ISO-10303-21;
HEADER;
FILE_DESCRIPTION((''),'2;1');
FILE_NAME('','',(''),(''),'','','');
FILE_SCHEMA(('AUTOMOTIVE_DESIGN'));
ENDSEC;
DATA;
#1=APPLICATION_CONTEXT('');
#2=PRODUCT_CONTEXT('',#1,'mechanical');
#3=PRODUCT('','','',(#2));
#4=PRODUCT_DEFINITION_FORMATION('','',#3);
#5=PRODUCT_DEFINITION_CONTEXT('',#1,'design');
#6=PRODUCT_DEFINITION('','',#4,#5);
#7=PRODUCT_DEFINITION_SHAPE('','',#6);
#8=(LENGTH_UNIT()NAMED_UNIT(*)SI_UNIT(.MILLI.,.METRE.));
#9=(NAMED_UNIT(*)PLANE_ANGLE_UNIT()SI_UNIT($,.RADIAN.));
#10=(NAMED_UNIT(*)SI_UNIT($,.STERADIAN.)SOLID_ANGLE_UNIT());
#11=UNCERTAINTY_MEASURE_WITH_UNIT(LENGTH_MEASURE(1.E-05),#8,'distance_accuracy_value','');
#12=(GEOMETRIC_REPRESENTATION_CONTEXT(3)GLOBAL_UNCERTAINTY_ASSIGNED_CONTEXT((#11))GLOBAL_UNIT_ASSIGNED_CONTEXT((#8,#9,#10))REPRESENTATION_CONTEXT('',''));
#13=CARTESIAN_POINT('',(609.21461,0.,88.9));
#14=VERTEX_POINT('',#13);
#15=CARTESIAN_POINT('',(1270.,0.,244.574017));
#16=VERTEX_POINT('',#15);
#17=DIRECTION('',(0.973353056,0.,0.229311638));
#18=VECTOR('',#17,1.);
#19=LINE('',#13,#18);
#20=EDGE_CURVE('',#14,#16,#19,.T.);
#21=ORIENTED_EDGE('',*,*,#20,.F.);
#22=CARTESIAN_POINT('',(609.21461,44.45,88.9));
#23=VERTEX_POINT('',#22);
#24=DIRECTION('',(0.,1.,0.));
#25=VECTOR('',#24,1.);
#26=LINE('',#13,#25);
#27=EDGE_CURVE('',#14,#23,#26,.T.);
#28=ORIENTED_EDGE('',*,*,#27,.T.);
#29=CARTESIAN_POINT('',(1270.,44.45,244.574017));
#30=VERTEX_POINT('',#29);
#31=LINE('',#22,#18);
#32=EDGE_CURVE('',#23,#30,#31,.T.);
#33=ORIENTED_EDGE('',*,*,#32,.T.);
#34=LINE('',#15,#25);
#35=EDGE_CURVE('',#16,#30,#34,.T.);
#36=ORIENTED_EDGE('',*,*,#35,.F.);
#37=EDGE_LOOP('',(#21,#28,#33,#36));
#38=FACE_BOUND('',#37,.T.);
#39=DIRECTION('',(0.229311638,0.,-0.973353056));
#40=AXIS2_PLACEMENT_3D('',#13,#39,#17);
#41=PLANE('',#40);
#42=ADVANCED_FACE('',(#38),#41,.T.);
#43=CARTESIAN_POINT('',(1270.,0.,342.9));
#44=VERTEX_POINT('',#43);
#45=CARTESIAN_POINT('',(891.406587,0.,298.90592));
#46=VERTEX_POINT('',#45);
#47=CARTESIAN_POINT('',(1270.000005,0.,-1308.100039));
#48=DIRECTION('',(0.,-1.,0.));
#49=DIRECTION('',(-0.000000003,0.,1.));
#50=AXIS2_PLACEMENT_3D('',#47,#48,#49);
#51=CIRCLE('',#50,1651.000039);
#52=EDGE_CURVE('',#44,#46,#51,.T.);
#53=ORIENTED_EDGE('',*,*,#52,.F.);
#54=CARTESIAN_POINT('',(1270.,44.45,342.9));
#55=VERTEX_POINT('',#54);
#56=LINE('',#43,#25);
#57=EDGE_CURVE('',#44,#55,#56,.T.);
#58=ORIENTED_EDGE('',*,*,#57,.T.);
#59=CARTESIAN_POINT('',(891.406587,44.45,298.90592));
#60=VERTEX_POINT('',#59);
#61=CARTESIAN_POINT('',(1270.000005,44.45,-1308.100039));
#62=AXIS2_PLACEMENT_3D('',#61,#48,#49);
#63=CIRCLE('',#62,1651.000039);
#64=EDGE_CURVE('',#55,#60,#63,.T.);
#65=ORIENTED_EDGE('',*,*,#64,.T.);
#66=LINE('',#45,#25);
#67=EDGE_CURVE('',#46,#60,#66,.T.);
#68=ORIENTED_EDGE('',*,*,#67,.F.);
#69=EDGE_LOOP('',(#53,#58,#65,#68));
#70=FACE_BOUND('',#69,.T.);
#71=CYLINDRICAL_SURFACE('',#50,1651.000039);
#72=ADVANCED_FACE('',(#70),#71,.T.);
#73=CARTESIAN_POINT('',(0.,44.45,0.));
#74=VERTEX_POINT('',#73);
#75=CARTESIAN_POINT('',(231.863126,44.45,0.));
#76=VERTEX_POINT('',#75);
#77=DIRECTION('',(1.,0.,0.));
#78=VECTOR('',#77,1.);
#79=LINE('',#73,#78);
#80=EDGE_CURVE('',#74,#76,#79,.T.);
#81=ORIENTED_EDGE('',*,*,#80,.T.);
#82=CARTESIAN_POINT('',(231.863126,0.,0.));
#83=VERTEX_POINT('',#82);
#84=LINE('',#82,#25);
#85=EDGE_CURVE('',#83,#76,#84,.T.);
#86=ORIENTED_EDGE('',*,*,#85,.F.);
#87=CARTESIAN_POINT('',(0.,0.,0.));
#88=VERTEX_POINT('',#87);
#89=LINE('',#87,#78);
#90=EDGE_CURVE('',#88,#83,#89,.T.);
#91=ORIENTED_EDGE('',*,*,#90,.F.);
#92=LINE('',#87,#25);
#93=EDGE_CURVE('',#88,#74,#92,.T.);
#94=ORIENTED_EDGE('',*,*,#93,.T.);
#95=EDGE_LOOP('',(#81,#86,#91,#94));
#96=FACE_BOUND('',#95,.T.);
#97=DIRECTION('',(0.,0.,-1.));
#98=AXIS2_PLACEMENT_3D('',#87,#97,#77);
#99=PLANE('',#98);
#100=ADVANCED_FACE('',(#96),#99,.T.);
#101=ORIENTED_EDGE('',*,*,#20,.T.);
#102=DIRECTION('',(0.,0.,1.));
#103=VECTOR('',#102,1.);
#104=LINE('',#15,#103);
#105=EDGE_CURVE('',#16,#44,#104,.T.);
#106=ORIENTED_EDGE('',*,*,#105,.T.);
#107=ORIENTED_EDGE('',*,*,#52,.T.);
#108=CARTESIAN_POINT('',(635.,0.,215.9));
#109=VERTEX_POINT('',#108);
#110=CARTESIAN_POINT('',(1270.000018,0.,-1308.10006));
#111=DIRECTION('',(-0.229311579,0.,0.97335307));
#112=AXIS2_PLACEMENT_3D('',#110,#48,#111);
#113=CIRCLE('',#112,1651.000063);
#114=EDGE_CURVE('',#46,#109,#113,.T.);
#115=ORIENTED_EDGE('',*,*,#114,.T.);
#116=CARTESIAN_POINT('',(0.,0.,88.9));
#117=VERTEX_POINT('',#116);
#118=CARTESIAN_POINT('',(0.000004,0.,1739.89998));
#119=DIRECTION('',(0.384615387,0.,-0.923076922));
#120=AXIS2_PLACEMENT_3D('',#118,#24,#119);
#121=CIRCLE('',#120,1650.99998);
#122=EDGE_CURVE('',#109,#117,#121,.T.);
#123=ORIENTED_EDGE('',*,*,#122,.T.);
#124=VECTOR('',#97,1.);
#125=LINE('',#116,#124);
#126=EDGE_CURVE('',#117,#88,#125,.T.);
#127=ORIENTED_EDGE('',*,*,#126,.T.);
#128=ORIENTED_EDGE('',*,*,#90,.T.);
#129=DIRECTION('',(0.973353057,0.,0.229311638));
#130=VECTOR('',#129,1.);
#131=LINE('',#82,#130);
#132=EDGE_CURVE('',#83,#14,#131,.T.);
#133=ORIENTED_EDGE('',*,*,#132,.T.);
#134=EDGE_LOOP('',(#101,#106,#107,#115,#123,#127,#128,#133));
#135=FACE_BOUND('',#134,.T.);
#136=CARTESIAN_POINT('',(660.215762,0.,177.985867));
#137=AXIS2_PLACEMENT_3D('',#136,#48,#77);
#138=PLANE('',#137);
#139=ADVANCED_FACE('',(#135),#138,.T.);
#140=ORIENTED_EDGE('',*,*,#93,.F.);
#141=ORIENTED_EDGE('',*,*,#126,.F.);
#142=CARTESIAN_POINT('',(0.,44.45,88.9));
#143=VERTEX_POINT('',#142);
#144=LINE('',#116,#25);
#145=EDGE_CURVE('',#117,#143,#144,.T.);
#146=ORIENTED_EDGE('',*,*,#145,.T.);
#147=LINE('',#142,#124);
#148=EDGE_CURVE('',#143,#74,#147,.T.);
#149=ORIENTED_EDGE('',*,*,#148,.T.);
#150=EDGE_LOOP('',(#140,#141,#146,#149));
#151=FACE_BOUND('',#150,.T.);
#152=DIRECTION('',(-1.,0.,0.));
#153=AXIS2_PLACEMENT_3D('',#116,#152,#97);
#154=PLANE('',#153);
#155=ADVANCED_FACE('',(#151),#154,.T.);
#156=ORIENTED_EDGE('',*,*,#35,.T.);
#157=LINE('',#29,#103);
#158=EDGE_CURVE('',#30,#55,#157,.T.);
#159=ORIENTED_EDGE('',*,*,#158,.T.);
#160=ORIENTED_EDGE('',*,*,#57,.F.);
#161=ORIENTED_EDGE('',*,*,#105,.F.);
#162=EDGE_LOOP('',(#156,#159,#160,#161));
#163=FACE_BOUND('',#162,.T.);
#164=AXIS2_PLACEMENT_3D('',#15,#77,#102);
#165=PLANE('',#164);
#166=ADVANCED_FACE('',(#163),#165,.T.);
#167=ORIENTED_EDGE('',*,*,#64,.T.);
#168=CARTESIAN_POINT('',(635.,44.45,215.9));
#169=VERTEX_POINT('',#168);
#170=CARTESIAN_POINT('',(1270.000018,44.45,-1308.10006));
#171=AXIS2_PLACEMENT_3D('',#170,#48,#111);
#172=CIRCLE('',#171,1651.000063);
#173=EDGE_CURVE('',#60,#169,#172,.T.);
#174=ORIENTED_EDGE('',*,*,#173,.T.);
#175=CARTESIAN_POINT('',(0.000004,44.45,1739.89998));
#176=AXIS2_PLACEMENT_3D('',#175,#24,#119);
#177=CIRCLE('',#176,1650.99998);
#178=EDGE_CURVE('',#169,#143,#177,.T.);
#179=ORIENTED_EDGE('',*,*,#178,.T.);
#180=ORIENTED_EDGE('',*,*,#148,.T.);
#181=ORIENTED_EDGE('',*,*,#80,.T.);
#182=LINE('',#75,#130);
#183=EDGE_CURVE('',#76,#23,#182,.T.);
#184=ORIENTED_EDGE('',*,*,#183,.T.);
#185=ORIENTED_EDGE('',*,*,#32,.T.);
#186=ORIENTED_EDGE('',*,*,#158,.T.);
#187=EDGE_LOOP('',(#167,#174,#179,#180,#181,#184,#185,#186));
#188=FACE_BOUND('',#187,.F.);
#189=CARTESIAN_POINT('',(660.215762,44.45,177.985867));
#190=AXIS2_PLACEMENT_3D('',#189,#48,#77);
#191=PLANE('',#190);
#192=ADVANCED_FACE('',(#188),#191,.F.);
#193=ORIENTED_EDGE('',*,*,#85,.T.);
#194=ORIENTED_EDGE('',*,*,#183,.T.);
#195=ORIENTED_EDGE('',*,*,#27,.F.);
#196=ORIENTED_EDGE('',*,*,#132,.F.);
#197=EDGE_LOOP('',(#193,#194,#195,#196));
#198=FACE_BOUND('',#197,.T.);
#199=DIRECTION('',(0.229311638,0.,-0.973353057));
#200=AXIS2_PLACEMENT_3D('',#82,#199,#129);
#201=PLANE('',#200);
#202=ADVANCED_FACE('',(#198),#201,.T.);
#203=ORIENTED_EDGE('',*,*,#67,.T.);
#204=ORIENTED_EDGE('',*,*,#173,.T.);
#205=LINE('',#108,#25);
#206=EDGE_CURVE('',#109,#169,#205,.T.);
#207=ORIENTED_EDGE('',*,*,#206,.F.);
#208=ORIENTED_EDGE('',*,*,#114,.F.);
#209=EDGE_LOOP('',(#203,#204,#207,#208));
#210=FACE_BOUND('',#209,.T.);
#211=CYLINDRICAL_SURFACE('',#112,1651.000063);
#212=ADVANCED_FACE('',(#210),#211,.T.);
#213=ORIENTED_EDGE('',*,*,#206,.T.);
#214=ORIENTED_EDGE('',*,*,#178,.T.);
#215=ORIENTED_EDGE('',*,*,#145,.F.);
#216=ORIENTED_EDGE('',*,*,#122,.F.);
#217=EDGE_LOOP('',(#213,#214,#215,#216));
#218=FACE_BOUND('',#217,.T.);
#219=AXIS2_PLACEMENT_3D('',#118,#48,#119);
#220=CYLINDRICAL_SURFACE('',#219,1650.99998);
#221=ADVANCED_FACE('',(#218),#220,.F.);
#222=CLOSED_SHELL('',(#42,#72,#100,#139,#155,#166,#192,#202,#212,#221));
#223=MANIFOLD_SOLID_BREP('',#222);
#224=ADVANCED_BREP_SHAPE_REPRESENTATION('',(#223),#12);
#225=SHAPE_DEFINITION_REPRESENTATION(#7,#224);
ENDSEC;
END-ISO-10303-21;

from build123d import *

# Parameters (mm, degrees)
F1_DEPTH = 44.45


with BuildPart() as f1:
    # F0 (on Front) → F1 (new body)
    with BuildSketch(Plane.XZ):
        with BuildLine():
            ThreePointArc((635, 215.9), (323.787739, 120.961304), (0, 88.9))
            Line((0, 88.9), (609.21461, 88.9))
            Line((609.21461, 88.9), (1270, 244.574017))
            Line((1270, 244.574017), (1270, 342.9))
            ThreePointArc((1270, 342.9), (1079.429507, 331.864599), (891.406587, 298.90592))
            ThreePointArc((891.406587, 298.90592), (761.506738, 262.643646), (635, 215.9))
        make_face()
        Polygon((0, 88.9), (0, 0), (231.863126, 0), (609.21461, 88.9), align=None)
    extrude(amount=-F1_DEPTH)


solid = f1.part
